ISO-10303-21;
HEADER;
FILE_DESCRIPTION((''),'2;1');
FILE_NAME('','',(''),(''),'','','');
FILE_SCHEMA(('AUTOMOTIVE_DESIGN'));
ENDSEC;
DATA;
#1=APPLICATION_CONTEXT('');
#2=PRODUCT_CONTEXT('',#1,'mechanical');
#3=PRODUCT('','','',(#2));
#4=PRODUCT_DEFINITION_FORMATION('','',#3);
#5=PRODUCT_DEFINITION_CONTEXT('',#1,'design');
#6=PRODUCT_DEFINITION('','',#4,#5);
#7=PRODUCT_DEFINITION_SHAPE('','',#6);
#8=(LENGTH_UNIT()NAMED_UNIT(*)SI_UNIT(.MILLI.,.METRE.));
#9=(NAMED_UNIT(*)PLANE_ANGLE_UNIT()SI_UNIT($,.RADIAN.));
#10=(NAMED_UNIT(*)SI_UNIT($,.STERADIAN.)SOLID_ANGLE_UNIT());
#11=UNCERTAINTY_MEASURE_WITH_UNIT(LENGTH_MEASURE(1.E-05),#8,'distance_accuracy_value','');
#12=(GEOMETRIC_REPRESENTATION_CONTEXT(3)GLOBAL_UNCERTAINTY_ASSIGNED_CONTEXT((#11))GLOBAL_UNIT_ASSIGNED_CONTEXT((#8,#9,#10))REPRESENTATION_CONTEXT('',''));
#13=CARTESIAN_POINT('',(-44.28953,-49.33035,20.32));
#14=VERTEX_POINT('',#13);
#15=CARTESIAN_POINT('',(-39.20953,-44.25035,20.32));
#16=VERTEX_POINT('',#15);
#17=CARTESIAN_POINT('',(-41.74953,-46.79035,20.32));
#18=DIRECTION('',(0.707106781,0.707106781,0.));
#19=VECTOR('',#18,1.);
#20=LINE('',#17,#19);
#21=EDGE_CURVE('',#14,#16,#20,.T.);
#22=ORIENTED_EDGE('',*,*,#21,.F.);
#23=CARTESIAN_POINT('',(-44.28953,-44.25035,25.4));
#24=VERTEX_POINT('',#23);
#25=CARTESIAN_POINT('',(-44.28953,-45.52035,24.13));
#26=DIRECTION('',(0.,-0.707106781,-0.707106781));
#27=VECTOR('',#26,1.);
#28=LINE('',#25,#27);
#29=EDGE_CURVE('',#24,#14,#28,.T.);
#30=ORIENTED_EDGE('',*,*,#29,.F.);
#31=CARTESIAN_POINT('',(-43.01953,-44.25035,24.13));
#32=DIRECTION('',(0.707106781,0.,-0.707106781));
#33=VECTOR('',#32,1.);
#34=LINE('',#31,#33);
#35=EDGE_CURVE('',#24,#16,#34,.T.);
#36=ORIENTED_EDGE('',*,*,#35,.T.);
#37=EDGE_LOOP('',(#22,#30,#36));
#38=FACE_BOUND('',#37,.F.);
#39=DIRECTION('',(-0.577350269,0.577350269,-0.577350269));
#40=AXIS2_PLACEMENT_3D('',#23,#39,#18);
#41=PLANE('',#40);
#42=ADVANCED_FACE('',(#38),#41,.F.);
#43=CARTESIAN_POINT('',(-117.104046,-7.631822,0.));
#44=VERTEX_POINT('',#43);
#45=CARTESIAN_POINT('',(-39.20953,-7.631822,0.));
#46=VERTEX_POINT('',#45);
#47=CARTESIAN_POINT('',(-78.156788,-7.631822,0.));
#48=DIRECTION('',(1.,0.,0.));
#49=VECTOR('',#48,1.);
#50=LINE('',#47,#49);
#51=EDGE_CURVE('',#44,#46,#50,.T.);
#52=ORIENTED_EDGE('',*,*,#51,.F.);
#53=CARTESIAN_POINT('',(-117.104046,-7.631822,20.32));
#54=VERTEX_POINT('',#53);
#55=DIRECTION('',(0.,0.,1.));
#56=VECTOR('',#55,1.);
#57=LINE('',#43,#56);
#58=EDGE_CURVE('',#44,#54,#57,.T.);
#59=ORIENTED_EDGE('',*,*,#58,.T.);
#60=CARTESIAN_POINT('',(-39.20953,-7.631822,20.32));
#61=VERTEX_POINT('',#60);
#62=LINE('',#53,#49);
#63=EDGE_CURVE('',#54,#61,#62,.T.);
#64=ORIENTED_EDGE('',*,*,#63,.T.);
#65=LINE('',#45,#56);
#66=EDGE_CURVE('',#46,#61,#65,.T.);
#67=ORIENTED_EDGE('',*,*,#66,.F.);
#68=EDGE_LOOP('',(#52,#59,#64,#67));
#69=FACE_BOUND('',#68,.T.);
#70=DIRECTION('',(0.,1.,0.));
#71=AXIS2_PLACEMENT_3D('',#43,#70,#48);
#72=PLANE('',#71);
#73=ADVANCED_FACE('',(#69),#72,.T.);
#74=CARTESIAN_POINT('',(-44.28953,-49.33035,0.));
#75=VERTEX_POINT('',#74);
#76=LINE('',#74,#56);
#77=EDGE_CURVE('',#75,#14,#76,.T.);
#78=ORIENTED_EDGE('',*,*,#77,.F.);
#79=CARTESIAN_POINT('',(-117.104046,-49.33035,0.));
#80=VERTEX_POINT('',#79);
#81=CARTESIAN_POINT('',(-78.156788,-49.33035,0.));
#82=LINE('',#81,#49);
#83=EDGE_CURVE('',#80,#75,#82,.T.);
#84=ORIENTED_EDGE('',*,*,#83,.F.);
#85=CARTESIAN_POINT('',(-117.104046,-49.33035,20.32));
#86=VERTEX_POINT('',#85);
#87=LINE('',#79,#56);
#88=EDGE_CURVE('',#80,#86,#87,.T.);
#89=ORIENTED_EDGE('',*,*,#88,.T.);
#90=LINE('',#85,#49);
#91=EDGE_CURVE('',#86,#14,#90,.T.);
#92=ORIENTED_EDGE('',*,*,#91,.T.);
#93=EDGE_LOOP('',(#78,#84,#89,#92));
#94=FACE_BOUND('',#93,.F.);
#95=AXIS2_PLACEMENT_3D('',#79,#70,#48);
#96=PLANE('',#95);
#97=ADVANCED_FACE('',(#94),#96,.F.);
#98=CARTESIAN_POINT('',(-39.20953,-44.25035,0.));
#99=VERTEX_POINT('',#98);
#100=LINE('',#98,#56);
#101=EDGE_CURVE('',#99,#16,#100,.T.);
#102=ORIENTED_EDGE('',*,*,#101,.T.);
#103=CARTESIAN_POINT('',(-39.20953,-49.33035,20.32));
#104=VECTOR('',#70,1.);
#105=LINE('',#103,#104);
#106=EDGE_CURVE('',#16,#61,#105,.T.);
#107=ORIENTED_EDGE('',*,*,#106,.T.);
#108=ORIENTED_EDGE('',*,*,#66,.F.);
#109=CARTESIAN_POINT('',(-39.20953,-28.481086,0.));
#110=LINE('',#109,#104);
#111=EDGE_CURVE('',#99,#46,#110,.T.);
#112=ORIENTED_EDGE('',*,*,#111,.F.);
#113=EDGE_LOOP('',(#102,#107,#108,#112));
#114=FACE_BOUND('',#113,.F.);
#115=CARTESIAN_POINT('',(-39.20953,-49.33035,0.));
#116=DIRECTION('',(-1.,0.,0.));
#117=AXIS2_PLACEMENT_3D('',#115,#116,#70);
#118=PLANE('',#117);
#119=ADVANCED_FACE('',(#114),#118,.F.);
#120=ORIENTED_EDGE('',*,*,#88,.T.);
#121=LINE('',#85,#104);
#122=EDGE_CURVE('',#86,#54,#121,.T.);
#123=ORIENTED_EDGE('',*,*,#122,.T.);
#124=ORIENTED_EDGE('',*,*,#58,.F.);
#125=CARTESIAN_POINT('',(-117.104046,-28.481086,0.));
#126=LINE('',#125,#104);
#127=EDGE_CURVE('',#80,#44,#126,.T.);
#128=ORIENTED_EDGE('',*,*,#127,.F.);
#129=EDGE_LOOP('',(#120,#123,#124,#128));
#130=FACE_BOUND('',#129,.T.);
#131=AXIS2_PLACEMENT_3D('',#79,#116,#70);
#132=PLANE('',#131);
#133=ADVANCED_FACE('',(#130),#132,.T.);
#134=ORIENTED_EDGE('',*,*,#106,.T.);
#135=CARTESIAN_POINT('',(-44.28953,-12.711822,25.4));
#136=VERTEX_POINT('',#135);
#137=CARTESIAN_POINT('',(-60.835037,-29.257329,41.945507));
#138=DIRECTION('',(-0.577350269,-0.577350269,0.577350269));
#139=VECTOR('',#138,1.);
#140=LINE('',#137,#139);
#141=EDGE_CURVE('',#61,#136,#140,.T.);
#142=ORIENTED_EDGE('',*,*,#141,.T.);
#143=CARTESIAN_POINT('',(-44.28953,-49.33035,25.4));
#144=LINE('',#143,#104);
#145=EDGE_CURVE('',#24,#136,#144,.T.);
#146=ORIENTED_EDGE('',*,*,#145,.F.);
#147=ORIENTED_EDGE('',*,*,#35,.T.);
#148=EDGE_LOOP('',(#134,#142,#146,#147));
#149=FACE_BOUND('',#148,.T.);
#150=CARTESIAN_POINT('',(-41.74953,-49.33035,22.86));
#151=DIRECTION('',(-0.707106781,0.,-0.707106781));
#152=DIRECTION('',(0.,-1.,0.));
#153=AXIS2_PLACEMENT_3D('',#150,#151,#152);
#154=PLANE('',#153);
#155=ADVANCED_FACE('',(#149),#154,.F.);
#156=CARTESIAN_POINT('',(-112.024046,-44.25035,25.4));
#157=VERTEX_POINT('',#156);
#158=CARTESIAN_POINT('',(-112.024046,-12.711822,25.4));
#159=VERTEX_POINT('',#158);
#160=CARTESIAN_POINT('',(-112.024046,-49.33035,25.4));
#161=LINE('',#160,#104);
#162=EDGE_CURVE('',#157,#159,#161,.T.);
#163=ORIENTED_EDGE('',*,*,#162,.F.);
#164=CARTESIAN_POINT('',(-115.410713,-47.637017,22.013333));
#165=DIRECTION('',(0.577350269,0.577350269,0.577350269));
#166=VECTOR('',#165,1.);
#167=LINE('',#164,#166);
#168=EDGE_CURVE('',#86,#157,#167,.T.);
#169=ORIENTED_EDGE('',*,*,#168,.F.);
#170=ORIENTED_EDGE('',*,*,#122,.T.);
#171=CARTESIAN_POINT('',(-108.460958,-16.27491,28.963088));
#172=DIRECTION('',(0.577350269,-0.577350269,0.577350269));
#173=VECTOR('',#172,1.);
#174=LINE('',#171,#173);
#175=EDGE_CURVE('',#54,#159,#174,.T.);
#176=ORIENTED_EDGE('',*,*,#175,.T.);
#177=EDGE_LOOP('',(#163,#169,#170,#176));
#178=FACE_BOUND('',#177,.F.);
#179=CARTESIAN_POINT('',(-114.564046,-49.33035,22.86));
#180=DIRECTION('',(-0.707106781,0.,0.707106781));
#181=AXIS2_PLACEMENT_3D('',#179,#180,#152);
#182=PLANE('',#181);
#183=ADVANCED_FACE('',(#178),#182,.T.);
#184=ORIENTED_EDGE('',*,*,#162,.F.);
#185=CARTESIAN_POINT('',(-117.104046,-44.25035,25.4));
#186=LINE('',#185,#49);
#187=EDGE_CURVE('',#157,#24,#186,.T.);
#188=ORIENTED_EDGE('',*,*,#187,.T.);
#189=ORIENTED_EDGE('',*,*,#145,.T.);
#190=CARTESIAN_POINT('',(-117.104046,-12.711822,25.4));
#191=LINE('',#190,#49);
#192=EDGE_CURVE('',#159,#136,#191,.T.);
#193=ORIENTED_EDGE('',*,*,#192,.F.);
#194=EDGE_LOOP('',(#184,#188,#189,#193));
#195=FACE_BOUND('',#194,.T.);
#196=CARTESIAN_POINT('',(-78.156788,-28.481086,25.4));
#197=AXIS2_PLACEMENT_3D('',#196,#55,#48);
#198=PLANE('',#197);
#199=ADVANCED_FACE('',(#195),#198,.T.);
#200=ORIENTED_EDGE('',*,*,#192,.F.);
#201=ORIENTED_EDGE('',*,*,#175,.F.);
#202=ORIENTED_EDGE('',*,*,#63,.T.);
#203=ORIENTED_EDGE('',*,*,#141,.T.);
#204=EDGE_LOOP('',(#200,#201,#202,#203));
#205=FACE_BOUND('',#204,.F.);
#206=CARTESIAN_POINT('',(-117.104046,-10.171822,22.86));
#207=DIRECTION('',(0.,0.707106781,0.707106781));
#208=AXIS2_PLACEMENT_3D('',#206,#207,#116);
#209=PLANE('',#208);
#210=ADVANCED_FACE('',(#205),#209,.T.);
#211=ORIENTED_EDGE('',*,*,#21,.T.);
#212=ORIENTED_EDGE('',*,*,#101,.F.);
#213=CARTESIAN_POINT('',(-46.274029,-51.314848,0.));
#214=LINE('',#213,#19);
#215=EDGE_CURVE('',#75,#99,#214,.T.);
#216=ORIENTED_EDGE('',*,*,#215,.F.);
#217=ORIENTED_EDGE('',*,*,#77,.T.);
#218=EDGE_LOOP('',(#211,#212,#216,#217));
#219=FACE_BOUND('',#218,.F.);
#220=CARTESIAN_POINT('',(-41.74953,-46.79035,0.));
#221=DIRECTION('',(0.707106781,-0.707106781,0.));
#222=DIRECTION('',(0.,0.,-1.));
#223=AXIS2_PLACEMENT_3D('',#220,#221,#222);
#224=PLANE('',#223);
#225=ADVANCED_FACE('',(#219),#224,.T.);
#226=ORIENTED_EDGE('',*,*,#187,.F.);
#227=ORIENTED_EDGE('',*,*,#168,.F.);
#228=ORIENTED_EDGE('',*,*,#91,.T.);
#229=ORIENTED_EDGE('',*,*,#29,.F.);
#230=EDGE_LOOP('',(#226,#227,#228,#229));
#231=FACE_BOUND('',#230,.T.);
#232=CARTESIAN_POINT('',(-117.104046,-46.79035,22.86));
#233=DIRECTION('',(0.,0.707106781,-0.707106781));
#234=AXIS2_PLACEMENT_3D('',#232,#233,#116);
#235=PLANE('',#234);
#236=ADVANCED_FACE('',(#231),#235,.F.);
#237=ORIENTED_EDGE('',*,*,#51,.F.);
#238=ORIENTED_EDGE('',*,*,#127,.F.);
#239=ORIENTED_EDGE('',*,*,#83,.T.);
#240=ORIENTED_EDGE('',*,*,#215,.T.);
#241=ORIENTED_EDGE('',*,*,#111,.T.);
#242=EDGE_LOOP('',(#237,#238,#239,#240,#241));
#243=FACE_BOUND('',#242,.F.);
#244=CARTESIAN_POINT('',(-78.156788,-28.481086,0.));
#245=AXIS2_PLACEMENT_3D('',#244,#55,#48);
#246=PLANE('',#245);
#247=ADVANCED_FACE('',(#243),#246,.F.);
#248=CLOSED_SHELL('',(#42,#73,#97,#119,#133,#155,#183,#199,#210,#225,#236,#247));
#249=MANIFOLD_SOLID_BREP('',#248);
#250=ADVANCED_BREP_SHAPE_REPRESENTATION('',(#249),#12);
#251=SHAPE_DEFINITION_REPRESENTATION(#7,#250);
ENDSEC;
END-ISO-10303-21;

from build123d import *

# Parameters (mm, degrees)
F0_W     = 77.894516
F0_H     = 41.698528
F1_DEPTH = 25.4
F2_SIZE  = 5.08


with BuildPart() as f1:
    # F0 (on Top) → F1 (new body)
    with BuildSketch(Plane.XY):
        with Locations((-78.156788, -28.481086)):
            Rectangle(F0_W, F0_H)
    extrude(amount=F1_DEPTH)

    # F2
    f2_edges = [f1.edges().sort_by_distance(p)[0] for p in [
        (-39.20953, -49.33035, 12.7),
        (-78.156788, -49.33035, 25.4),
        (-39.20953, -28.481086, 25.4),
        (-78.156788, -7.631822, 25.4),
        (-117.104046, -28.481086, 25.4),
    ]]
    chamfer(f2_edges, length=F2_SIZE)


solid = f1.part
